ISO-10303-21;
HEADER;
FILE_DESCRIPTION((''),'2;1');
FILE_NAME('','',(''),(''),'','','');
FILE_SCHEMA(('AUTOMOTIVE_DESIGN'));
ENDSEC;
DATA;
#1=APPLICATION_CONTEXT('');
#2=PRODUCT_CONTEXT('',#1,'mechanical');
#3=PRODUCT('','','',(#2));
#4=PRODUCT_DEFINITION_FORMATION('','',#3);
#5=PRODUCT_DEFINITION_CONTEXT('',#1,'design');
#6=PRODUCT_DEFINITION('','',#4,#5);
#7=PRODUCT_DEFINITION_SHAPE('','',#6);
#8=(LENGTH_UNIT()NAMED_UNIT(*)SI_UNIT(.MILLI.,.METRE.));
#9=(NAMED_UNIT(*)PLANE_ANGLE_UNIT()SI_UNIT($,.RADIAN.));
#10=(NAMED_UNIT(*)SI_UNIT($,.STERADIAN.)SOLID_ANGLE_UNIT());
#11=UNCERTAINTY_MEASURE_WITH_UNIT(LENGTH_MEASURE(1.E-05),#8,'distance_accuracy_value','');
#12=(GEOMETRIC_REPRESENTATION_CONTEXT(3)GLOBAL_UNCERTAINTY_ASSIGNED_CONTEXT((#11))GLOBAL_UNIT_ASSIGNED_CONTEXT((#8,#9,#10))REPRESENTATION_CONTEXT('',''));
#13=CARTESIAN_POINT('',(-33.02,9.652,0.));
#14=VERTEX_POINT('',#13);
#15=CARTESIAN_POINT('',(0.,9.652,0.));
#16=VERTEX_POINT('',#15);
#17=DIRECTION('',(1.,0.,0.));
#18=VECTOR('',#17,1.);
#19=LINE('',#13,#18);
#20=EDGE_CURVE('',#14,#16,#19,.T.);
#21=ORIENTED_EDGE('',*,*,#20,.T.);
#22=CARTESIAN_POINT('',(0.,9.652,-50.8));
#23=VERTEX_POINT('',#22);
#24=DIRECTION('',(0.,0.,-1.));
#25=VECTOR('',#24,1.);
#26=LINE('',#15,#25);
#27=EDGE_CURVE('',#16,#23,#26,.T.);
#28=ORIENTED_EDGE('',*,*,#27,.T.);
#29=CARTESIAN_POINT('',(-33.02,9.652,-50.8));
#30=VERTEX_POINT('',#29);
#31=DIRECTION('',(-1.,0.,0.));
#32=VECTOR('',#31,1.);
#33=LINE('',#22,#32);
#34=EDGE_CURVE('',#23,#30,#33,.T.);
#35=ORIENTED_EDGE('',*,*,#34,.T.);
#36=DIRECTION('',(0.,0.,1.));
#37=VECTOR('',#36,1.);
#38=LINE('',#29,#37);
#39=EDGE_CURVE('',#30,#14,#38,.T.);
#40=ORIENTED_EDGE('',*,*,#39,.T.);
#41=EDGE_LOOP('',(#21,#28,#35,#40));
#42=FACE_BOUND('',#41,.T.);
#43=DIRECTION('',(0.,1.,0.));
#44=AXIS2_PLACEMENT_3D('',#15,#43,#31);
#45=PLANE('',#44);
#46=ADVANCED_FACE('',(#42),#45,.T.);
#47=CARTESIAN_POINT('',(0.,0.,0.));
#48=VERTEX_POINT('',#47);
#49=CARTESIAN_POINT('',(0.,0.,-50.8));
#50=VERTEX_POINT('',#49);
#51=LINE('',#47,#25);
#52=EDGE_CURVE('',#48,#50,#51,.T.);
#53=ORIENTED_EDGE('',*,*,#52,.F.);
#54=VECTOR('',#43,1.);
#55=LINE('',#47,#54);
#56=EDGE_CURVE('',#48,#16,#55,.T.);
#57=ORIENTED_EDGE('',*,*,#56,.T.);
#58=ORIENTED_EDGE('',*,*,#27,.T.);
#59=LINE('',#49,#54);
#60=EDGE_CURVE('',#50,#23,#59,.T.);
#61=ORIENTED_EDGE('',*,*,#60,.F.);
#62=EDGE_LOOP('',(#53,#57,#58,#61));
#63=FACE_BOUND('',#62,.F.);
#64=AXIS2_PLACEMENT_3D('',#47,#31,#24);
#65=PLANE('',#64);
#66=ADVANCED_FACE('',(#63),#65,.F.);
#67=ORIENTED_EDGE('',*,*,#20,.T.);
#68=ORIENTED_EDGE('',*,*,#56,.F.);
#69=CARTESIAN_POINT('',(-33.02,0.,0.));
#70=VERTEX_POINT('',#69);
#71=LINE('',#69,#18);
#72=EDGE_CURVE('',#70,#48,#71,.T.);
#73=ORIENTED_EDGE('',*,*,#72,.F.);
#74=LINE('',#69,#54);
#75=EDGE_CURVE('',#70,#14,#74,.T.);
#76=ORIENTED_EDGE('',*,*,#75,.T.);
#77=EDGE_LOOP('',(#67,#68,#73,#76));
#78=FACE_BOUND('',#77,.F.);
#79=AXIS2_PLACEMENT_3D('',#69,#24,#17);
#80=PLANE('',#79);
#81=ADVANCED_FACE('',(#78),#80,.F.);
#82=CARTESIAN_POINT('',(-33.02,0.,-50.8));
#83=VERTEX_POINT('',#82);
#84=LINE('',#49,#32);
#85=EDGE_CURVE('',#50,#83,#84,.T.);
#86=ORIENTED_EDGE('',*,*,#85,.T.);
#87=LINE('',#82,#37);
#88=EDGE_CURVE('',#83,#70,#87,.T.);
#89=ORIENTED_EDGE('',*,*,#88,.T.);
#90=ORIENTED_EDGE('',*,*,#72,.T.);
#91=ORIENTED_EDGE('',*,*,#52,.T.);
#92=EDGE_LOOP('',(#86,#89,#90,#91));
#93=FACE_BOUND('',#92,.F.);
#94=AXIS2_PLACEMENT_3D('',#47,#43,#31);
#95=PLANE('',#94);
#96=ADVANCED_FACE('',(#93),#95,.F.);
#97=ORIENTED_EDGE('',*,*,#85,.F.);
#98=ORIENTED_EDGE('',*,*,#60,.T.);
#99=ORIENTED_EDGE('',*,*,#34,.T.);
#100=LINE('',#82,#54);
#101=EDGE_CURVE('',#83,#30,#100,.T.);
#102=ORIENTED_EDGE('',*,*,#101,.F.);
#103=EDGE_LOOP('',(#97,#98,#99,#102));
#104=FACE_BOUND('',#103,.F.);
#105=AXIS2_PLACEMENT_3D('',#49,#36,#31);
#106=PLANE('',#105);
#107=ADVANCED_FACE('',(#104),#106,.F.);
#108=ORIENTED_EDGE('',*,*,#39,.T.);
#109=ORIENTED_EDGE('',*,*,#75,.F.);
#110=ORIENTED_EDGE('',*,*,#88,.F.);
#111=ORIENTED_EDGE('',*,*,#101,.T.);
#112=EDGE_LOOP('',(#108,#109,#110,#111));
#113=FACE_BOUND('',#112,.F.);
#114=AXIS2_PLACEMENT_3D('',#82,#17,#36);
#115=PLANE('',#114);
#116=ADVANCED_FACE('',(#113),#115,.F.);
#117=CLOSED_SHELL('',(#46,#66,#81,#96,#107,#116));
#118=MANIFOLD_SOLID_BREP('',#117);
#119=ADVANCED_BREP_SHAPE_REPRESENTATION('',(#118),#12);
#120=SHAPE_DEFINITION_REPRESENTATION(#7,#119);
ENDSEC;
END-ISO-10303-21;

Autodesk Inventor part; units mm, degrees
ref_plane "YZ Plane" through (0, 0, 0) normal (1, 0, 0) x (0, 1, 0)
ref_plane "XZ Plane" through (0, 0, 0) normal (0, 1, 0) x (-1, 0, 0)
ref_plane "XY Plane" through (0, 0, 0) normal (0, 0, 1) x (1, 0, 0)
sketch "Sketch1" plane through (0, 0, 0) normal (0, 1, 0) x (-1, 0, 0)
  line L0 (0, 0) -> (0, -50.8)
  line L1 (0, -50.8) -> (33.02, -50.8)
  line L2 (33.02, -50.8) -> (33.02, 0)
  line L3 (33.02, 0) -> (0, 0)
  dimension "d0" = 50.8
  dimension "d1" = 33.02
extrude "Extrusion1" add sketch "Sketch1" along normal blind 9.652
properties part number "LED Driver"
